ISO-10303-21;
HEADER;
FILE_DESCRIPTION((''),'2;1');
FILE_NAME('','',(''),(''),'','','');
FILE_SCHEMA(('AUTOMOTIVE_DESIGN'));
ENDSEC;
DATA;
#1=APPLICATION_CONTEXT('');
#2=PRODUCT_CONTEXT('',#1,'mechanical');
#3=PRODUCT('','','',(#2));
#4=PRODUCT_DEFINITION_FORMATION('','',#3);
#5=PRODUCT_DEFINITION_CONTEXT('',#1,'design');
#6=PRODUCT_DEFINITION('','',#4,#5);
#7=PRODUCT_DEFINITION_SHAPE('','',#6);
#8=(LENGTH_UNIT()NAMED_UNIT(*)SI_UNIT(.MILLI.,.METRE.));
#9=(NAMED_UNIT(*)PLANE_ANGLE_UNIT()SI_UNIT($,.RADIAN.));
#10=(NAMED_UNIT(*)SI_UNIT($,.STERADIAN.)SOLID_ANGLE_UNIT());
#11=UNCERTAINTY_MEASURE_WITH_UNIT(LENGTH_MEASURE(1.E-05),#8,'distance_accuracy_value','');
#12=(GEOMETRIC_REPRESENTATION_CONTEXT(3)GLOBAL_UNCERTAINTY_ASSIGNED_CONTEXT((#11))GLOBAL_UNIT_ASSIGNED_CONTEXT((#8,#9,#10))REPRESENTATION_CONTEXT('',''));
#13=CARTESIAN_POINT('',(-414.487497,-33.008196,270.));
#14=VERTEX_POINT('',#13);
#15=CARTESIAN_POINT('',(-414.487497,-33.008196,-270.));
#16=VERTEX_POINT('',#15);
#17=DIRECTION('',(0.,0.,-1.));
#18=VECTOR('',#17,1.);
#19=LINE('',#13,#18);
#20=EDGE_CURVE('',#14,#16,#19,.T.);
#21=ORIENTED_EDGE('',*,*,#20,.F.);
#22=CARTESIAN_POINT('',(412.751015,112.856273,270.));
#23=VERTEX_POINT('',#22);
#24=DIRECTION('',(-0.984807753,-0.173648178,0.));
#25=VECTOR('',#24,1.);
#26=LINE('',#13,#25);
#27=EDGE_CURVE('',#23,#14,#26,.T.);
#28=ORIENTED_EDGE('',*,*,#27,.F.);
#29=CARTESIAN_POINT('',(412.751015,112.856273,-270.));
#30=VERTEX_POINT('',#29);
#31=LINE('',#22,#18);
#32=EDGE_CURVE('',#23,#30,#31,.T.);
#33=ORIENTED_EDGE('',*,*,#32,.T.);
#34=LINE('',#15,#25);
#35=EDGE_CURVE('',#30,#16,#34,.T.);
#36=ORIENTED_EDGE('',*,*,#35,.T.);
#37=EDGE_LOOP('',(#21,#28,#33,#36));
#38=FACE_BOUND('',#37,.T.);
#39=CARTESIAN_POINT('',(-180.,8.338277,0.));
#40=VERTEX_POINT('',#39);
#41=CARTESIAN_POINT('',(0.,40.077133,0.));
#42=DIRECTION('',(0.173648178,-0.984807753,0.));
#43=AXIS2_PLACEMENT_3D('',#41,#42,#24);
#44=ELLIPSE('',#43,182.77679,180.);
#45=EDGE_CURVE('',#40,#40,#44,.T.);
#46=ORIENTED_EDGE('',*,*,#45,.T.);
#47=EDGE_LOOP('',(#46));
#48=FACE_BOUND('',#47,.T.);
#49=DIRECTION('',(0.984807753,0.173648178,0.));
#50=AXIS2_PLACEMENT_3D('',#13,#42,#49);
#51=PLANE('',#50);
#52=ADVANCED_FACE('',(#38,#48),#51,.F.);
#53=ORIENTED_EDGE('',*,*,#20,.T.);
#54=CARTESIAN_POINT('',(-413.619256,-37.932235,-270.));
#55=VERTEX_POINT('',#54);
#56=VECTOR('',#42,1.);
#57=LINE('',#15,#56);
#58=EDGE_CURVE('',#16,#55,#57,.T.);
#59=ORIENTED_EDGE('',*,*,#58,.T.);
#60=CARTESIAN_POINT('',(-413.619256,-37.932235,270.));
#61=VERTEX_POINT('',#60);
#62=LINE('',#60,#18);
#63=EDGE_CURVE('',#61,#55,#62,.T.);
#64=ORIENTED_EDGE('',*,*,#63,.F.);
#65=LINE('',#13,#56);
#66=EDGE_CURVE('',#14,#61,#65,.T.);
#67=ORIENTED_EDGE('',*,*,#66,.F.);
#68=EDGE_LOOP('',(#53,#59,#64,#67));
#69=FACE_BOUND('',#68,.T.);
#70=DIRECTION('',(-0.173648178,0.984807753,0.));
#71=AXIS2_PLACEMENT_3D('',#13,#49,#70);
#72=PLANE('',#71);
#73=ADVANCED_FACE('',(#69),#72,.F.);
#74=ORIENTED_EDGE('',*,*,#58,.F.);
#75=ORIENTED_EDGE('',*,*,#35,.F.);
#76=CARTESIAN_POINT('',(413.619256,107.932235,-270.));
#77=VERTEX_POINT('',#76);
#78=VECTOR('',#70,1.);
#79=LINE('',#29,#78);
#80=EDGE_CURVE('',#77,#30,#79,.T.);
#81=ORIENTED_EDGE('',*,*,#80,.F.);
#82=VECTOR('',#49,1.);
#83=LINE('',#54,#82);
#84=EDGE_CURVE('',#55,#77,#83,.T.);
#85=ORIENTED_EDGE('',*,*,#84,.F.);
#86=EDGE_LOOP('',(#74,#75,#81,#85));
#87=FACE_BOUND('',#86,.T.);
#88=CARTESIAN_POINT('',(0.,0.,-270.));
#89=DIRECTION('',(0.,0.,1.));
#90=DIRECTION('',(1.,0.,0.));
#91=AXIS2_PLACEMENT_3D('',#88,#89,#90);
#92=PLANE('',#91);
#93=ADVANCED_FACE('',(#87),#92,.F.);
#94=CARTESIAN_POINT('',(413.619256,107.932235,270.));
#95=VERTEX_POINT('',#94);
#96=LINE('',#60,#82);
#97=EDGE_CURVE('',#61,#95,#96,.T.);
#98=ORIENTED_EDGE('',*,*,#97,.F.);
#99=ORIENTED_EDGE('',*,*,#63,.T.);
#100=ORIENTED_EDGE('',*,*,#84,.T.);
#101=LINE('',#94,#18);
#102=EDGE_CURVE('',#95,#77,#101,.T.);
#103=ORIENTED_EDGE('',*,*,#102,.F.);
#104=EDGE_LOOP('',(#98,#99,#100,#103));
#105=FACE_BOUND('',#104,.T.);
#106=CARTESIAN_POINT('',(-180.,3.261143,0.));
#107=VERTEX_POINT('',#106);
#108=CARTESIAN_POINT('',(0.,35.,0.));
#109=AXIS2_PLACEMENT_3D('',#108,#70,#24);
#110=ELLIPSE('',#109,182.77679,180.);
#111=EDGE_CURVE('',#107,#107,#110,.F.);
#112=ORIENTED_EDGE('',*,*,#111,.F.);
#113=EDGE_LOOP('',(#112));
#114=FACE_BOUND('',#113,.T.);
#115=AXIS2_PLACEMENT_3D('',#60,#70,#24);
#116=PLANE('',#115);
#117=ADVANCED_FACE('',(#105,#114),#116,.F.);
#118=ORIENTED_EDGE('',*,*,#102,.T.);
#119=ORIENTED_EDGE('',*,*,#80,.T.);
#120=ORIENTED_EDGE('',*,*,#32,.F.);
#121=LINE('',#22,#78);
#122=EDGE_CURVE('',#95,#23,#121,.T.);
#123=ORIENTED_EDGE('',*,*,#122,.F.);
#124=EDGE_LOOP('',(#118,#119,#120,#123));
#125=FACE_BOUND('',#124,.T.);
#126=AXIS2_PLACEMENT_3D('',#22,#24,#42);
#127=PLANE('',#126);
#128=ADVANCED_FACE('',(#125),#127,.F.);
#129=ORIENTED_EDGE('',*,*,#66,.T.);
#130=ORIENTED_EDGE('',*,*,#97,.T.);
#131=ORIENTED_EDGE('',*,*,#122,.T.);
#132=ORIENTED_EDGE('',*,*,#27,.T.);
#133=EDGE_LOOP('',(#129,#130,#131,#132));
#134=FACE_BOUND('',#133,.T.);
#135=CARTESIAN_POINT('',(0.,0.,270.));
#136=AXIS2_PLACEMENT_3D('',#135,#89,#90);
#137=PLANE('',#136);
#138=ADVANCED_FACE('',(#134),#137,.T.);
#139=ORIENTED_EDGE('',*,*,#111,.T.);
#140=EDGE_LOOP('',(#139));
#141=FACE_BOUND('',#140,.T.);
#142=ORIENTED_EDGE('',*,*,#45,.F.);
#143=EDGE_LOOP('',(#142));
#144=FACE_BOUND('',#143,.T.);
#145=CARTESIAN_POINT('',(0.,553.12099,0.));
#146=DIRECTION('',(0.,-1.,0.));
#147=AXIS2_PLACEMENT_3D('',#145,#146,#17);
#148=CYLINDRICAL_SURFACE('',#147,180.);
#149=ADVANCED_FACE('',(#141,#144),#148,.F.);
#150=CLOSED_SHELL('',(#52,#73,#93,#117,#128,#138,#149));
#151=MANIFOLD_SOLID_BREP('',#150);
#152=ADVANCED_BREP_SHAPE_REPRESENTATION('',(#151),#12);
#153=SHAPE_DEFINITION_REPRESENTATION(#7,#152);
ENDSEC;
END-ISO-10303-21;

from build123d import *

# Parameters (mm, degrees)
BOSS_EXTRUDE1_DEPTH = 270
CUT_EXTRUDE1_REACH  = 509.382
SKETCH2_R           = 180


with BuildPart() as part:
    # Sketch1 → Boss-Extrude1 (new, symmetric)
    with BuildSketch(Plane.XY):
        Polygon((-414.487497153, -33.008195855), (412.751015377, 112.856273385), (413.619256265, 107.93223462), (-413.619256265, -37.93223462), align=None)
    extrude(amount=BOSS_EXTRUDE1_DEPTH, both=True)

    # Cut-Extrude1: up to this face of the body (flat: up to its plane)
    cut_extrude1_end = Plane(part.part.faces().sort_by_distance((-0.868240888, 39.924038765, 0))[0])
    # Sketch2 → Cut-Extrude1 (cut, up to the picked face)
    with BuildSketch(Plane(origin=(0, 0, 0), x_dir=(1, 0, 0), z_dir=(0, 1, 0)), mode=Mode.PRIVATE) as cut_extrude1_sk1:
        with Locations(Location((0, 0, 0), (0, 0, 180))):
            Circle(SKETCH2_R)
    cut_extrude1_tool1 = split(extrude(cut_extrude1_sk1.sketch, amount=CUT_EXTRUDE1_REACH, mode=Mode.PRIVATE), bisect_by=cut_extrude1_end, keep=Keep.BOTH, mode=Mode.PRIVATE)
    add(cut_extrude1_tool1.solids().sort_by(Axis((0, 0, 0), (0, 1, 0)))[0], mode=Mode.SUBTRACT)


solid = part.part
